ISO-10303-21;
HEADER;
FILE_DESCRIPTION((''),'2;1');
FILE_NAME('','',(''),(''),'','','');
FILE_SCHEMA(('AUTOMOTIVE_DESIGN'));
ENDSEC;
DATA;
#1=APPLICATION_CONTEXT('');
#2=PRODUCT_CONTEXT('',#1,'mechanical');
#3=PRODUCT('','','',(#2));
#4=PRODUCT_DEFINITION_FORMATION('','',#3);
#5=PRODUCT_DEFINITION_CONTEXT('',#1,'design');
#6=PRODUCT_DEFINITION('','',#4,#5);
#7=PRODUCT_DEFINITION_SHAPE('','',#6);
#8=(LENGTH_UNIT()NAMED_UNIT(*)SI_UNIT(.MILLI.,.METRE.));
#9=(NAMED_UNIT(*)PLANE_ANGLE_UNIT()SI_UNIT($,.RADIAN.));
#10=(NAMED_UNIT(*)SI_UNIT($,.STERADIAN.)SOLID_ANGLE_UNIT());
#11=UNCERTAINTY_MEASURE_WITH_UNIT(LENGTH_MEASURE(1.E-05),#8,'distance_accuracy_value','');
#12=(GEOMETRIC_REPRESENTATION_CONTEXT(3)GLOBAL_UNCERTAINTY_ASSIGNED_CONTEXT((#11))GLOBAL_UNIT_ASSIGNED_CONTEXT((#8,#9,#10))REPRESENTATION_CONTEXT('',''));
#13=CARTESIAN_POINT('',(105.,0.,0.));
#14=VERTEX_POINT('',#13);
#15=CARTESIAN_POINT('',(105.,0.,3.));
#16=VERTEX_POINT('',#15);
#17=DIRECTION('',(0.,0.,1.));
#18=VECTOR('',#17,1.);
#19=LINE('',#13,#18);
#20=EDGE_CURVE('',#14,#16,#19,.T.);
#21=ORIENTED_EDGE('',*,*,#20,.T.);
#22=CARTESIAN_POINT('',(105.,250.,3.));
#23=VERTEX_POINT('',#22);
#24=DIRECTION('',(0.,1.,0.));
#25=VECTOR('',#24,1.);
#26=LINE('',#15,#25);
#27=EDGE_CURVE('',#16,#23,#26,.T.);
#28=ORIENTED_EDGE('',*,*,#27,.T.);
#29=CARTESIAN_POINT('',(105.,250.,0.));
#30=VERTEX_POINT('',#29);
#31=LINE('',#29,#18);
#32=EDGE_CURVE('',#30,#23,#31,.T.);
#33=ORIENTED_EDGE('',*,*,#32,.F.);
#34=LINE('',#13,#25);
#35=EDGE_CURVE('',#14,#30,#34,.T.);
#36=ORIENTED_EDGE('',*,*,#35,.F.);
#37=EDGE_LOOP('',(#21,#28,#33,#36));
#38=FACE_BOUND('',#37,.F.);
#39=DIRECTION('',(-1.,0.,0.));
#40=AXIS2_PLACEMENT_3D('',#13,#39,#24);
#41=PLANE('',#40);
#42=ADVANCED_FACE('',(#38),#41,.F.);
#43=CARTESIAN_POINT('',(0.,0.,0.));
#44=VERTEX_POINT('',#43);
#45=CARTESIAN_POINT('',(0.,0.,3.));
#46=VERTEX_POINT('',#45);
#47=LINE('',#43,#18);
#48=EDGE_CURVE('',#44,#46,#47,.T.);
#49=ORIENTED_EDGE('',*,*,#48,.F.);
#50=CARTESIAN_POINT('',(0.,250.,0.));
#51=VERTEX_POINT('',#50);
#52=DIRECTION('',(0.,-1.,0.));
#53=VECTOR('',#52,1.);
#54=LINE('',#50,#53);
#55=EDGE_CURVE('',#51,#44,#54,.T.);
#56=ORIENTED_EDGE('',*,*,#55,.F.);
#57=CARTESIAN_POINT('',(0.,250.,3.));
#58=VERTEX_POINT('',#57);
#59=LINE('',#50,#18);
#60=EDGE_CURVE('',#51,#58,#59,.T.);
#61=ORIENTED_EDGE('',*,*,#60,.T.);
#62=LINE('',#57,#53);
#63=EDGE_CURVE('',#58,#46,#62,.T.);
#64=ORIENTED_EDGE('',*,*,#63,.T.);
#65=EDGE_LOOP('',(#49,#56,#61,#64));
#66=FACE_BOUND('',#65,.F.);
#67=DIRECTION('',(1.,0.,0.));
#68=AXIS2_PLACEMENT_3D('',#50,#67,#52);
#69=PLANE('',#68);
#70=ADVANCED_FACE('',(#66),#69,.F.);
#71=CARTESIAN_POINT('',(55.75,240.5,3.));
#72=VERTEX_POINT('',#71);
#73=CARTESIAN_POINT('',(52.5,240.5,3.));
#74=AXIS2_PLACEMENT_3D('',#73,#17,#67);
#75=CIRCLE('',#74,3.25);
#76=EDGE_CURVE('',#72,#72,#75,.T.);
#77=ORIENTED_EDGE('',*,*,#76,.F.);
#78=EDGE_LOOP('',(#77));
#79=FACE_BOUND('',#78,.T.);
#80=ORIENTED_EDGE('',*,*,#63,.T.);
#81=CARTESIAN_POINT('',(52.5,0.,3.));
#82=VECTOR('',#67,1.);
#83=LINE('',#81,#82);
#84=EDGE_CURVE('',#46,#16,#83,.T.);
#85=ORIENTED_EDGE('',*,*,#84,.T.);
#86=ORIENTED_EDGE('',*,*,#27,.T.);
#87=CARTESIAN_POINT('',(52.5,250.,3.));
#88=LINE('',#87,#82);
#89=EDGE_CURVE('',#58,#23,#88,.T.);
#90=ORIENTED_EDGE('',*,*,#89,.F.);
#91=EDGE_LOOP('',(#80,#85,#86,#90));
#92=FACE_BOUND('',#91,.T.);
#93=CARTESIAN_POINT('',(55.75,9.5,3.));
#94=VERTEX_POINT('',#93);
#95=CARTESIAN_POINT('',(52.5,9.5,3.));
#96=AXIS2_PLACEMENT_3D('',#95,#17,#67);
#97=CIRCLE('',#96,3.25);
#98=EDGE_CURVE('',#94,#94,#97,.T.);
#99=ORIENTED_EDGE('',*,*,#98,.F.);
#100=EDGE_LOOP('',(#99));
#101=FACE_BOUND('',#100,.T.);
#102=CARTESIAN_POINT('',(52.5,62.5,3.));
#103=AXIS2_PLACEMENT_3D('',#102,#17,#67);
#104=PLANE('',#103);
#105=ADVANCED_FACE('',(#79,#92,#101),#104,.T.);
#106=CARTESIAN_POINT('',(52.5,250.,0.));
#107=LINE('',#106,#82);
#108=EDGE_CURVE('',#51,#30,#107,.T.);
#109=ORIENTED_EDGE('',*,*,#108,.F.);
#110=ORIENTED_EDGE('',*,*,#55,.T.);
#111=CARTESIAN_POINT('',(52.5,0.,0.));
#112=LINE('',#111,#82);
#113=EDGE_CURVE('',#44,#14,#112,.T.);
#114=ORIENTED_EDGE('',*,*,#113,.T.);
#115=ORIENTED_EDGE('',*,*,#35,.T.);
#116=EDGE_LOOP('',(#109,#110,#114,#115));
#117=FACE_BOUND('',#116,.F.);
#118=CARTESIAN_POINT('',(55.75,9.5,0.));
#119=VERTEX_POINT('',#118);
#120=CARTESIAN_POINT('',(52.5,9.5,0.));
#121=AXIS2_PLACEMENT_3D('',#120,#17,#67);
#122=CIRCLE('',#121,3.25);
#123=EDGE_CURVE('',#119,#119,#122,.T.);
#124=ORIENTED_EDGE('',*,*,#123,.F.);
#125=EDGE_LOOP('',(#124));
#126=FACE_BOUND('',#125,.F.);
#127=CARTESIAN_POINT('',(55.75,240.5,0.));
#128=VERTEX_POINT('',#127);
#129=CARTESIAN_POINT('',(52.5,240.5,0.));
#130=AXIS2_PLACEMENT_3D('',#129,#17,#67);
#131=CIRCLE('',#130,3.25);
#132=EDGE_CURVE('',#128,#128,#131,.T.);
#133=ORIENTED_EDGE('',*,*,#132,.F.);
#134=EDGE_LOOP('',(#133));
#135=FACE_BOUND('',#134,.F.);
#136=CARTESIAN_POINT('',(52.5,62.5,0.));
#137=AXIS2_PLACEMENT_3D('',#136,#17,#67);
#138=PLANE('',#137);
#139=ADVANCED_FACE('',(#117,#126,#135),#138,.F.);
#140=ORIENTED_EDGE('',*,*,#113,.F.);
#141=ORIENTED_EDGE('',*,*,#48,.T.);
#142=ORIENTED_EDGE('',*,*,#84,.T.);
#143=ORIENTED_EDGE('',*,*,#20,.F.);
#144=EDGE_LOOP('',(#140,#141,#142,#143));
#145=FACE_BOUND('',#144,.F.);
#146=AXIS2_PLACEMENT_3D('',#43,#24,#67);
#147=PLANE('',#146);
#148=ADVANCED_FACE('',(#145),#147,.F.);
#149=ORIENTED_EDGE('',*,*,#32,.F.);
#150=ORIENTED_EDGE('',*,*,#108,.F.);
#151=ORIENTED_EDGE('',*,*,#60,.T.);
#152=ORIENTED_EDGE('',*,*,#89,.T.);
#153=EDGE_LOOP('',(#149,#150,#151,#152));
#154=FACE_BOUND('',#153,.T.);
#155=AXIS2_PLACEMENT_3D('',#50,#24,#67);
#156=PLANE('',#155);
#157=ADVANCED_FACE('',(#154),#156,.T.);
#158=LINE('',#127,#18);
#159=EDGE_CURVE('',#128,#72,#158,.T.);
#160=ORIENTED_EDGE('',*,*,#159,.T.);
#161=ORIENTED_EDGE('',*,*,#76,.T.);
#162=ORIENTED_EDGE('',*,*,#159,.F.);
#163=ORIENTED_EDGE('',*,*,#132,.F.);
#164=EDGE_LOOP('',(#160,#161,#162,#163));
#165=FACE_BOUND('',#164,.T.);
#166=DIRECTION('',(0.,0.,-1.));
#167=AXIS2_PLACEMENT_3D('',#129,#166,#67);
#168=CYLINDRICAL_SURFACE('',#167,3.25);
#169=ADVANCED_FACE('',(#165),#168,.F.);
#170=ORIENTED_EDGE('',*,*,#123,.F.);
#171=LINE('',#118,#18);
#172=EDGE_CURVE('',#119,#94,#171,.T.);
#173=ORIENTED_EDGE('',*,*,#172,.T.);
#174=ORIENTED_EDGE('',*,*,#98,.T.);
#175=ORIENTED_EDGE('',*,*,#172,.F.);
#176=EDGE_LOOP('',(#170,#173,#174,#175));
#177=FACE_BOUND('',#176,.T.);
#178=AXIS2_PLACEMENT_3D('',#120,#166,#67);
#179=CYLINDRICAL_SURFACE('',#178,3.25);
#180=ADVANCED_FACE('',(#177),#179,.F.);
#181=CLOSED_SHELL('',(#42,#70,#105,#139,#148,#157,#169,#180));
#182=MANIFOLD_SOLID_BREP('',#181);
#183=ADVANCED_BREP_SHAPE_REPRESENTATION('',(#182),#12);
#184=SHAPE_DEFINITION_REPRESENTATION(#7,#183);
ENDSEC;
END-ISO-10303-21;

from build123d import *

# Parameters (mm, degrees)
F0_W     = 105
F0_H     = 125
F0_R     = 3.25
F1_DEPTH = 3


with BuildPart() as f1:
    # F0 (on Top) → F1 (new body)
    with BuildSketch(Plane.XY):
        with Locations((52.5, 62.5)):
            Rectangle(F0_W, F0_H)
        with Locations((52.5, 9.5)):
            Circle(F0_R, mode=Mode.SUBTRACT)
        with Locations((52.5, 187.5)):
            Rectangle(F0_W, F0_H)
        with Locations((52.5, 240.5)):
            Circle(F0_R, mode=Mode.SUBTRACT)
    extrude(amount=F1_DEPTH)


solid = f1.part
